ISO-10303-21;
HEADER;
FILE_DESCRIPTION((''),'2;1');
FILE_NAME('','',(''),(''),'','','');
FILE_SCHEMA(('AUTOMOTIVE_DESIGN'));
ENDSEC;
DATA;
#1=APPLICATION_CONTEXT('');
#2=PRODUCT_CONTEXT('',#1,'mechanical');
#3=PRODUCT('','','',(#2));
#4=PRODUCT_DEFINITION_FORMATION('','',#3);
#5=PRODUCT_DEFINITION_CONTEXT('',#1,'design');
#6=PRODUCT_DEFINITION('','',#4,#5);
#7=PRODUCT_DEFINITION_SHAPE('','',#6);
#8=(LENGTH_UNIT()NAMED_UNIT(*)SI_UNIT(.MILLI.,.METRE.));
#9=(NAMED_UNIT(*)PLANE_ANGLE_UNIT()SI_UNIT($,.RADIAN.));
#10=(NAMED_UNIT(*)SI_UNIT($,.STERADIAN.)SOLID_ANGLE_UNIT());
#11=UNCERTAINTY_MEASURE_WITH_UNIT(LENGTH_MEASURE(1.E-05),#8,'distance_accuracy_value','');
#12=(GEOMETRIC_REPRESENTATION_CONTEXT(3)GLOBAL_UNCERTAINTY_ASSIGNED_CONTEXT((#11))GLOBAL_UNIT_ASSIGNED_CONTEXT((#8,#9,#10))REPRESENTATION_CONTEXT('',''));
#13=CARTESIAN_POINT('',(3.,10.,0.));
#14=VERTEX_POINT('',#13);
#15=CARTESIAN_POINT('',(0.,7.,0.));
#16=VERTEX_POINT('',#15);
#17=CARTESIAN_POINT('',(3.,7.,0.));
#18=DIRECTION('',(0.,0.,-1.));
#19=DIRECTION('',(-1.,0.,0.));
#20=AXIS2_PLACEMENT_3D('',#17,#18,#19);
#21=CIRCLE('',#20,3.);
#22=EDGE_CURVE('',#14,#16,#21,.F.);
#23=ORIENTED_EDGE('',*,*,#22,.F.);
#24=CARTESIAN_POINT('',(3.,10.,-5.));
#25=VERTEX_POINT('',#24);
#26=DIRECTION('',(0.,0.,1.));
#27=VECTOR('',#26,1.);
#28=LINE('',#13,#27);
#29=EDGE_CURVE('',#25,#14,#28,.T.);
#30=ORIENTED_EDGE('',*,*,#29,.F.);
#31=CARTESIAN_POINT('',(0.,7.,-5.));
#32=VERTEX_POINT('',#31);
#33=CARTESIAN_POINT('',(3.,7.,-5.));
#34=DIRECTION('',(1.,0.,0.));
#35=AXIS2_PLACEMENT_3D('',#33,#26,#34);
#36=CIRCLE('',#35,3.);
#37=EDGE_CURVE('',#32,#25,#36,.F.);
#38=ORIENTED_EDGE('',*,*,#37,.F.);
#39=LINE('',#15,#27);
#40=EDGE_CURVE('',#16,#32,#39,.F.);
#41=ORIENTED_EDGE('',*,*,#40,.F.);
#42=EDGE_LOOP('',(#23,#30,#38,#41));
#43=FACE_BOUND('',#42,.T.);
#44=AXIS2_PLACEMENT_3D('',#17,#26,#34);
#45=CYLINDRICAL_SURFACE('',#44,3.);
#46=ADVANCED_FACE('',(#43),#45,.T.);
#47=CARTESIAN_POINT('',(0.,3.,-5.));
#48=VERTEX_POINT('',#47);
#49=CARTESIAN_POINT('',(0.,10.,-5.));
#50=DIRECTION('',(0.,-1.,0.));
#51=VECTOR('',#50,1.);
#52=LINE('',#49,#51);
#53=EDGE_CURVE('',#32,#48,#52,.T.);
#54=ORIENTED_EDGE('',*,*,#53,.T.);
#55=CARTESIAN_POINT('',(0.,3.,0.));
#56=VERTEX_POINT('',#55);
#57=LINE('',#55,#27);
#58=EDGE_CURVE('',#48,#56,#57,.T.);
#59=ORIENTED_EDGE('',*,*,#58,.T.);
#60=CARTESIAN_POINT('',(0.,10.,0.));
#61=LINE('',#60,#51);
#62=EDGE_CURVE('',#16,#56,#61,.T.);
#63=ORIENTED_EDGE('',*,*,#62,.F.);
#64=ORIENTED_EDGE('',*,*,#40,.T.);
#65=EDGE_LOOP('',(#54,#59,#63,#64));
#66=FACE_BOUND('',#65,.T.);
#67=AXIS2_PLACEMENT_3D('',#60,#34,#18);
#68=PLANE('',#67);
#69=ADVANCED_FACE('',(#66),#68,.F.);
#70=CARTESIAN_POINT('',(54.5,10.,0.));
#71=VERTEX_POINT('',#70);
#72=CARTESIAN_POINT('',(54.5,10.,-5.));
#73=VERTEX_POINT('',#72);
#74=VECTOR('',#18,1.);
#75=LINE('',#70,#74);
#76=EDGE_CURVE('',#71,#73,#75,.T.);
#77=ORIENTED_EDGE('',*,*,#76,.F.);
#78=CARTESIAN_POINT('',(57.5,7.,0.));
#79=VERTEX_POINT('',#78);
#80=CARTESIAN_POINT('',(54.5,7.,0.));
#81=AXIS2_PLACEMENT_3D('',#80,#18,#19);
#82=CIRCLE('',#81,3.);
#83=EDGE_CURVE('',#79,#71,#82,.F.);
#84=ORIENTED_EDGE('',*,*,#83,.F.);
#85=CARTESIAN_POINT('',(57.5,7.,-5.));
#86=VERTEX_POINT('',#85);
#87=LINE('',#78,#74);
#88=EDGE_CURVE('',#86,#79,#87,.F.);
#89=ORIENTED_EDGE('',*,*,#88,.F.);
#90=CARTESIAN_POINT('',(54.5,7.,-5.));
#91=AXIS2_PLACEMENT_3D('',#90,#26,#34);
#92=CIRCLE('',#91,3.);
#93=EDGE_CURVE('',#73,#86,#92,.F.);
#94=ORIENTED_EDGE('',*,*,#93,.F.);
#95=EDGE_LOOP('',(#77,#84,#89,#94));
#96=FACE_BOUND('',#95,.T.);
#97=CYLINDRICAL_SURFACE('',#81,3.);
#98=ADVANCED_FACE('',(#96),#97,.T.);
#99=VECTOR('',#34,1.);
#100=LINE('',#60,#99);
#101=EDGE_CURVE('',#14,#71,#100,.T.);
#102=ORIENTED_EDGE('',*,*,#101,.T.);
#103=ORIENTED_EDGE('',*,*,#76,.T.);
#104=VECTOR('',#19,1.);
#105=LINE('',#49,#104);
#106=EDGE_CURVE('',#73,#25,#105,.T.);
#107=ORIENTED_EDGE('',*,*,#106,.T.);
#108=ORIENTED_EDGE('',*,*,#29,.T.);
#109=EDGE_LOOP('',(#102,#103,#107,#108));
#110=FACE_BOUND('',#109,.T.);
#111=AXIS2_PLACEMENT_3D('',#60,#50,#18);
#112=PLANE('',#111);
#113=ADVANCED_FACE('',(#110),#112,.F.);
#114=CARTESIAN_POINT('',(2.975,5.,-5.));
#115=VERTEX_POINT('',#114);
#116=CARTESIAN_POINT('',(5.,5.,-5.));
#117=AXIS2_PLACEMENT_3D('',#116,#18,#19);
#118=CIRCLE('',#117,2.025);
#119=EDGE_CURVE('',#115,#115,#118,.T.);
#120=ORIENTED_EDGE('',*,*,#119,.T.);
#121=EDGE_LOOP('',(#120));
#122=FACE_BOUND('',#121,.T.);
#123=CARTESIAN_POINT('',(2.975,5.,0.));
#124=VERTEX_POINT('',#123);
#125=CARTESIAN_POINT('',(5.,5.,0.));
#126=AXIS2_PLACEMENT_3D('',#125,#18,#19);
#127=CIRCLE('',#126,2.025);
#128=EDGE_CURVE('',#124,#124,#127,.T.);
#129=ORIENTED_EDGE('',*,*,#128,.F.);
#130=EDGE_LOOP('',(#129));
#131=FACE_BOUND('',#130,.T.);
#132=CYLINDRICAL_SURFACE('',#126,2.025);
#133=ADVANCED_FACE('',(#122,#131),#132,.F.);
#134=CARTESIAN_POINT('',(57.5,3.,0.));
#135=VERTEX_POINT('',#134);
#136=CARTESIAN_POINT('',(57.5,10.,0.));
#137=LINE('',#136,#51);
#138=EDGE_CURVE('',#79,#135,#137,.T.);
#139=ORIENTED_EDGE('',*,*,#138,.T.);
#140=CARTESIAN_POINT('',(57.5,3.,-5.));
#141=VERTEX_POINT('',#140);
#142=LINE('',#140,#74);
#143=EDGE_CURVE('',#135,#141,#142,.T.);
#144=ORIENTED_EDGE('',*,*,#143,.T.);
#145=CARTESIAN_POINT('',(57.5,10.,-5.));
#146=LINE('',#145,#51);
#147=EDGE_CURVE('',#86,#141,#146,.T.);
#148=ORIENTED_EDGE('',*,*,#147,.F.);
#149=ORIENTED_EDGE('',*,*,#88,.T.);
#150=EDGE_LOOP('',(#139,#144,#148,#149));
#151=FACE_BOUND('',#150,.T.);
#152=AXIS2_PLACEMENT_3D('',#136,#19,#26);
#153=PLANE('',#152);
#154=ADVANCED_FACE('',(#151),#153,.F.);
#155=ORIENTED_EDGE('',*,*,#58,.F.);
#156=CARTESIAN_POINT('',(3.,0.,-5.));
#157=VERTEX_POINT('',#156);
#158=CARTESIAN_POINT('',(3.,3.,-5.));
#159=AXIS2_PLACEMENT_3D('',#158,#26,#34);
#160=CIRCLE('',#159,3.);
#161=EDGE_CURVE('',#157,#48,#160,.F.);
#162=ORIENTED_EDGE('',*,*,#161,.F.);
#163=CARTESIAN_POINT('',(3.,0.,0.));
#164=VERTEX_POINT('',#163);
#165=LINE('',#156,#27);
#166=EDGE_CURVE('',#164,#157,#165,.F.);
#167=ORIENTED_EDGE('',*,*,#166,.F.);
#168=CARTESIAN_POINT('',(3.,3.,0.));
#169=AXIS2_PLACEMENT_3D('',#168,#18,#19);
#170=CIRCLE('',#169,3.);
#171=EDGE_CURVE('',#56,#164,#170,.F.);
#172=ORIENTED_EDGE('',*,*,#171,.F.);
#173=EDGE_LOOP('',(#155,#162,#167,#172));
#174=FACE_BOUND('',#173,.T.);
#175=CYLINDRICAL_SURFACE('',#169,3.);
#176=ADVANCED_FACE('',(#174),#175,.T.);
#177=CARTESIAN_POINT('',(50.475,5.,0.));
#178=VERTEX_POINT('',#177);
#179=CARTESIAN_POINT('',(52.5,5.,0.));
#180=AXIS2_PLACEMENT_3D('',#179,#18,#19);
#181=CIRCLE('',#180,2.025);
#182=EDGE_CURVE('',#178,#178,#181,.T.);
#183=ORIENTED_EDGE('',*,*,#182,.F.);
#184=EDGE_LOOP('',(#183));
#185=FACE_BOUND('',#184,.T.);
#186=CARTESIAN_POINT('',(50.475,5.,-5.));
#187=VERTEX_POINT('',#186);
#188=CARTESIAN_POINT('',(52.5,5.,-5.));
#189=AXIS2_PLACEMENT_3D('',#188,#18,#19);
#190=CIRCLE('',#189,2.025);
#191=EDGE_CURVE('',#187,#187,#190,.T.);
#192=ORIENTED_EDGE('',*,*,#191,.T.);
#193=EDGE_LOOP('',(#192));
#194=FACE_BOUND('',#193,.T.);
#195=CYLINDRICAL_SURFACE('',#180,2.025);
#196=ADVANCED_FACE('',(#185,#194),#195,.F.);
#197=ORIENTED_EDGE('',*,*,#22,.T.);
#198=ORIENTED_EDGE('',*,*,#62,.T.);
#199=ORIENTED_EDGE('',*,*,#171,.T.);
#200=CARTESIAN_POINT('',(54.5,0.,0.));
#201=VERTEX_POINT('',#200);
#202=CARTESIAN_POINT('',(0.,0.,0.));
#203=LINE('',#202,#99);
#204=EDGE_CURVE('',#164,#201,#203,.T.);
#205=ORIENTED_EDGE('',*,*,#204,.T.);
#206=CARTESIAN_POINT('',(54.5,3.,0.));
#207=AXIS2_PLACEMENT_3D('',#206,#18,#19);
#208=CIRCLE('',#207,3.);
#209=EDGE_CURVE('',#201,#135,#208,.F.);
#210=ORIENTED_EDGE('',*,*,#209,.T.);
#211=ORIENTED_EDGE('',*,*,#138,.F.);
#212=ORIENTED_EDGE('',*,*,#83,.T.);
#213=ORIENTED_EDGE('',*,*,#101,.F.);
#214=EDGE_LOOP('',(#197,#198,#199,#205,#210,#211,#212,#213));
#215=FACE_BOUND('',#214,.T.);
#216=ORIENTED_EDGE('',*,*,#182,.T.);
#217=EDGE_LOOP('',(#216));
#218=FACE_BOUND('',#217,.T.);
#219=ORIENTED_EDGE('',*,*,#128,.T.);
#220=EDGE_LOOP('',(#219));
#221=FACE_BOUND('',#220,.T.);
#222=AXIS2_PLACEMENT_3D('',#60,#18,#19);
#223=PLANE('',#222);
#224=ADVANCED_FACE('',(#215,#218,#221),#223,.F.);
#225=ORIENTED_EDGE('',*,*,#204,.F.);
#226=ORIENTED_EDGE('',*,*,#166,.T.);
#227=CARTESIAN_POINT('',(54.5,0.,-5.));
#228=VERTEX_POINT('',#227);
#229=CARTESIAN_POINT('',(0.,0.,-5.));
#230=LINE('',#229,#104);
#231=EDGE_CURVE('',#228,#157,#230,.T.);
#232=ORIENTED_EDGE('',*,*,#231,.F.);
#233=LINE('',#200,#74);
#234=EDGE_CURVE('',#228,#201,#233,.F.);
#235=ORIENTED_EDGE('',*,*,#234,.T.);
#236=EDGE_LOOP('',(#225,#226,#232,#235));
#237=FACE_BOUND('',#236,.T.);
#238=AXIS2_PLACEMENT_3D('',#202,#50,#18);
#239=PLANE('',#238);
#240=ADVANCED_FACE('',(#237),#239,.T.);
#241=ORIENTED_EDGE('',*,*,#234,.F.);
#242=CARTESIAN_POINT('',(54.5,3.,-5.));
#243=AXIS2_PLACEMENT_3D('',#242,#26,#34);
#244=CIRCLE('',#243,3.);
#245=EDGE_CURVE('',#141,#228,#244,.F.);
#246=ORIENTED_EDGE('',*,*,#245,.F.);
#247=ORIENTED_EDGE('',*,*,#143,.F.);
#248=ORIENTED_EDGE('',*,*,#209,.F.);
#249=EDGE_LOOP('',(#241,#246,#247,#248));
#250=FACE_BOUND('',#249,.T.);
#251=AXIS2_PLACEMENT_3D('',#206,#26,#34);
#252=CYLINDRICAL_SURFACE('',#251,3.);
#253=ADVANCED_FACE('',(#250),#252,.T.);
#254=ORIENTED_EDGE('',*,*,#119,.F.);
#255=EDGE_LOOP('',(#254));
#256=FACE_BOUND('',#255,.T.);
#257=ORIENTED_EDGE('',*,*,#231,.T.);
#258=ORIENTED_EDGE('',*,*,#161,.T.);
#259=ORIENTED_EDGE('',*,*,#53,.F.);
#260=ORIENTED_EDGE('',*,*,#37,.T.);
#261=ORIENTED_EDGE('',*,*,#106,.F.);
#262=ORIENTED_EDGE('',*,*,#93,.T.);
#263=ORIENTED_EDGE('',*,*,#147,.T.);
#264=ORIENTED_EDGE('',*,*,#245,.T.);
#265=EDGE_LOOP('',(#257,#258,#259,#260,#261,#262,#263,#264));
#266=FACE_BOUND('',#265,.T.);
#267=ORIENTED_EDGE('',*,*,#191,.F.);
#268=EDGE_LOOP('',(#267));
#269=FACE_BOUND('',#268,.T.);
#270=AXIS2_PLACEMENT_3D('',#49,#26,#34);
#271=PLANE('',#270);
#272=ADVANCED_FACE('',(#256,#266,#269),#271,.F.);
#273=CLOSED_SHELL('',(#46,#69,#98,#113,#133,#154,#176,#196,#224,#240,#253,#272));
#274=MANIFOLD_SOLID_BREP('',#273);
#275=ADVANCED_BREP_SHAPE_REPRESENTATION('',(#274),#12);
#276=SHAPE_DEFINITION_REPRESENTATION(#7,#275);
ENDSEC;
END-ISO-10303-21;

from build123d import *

# Parameters (mm, degrees)
SKETCH_5_W          = 57.5
SKETCH_5_H          = 5
EXTRUDE_3_DEPTH     = 10
SKETCH_6_R          = 2.025
CUT_EXTRUDE_4_DEPTH = 59.576872569
FILLET_4_R          = 3


with BuildPart() as part:
    # 草图5 → 凸台-拉伸3 (new body)
    with BuildSketch(Plane(origin=(0, 0, 0), x_dir=(1, 0, 0), z_dir=(0, 1, 0))):
        with Locations((28.75, 2.5)):
            Rectangle(SKETCH_5_W, SKETCH_5_H)
    extrude(amount=EXTRUDE_3_DEPTH)

    # 草图6 → 切除-拉伸4 (cut, through all)
    with BuildSketch(Plane(origin=(0, 0, -5), x_dir=(-1, 0, 0), z_dir=(0, 0, -1))):
        with Locations((-52.5, 5)):
            Circle(SKETCH_6_R)
        with Locations((-5, 5)):
            Circle(SKETCH_6_R)
    extrude(amount=-CUT_EXTRUDE_4_DEPTH, mode=Mode.SUBTRACT)

    # 圆角4
    fillet_4_edges = [part.edges().sort_by_distance(p)[0] for p in [
        (57.5, 10, -2.5),
        (0, 10, -2.5),
        (57.5, 0, -2.5),
        (0, 0, -2.5),
    ]]
    fillet(fillet_4_edges, radius=FILLET_4_R)


solid = part.part
